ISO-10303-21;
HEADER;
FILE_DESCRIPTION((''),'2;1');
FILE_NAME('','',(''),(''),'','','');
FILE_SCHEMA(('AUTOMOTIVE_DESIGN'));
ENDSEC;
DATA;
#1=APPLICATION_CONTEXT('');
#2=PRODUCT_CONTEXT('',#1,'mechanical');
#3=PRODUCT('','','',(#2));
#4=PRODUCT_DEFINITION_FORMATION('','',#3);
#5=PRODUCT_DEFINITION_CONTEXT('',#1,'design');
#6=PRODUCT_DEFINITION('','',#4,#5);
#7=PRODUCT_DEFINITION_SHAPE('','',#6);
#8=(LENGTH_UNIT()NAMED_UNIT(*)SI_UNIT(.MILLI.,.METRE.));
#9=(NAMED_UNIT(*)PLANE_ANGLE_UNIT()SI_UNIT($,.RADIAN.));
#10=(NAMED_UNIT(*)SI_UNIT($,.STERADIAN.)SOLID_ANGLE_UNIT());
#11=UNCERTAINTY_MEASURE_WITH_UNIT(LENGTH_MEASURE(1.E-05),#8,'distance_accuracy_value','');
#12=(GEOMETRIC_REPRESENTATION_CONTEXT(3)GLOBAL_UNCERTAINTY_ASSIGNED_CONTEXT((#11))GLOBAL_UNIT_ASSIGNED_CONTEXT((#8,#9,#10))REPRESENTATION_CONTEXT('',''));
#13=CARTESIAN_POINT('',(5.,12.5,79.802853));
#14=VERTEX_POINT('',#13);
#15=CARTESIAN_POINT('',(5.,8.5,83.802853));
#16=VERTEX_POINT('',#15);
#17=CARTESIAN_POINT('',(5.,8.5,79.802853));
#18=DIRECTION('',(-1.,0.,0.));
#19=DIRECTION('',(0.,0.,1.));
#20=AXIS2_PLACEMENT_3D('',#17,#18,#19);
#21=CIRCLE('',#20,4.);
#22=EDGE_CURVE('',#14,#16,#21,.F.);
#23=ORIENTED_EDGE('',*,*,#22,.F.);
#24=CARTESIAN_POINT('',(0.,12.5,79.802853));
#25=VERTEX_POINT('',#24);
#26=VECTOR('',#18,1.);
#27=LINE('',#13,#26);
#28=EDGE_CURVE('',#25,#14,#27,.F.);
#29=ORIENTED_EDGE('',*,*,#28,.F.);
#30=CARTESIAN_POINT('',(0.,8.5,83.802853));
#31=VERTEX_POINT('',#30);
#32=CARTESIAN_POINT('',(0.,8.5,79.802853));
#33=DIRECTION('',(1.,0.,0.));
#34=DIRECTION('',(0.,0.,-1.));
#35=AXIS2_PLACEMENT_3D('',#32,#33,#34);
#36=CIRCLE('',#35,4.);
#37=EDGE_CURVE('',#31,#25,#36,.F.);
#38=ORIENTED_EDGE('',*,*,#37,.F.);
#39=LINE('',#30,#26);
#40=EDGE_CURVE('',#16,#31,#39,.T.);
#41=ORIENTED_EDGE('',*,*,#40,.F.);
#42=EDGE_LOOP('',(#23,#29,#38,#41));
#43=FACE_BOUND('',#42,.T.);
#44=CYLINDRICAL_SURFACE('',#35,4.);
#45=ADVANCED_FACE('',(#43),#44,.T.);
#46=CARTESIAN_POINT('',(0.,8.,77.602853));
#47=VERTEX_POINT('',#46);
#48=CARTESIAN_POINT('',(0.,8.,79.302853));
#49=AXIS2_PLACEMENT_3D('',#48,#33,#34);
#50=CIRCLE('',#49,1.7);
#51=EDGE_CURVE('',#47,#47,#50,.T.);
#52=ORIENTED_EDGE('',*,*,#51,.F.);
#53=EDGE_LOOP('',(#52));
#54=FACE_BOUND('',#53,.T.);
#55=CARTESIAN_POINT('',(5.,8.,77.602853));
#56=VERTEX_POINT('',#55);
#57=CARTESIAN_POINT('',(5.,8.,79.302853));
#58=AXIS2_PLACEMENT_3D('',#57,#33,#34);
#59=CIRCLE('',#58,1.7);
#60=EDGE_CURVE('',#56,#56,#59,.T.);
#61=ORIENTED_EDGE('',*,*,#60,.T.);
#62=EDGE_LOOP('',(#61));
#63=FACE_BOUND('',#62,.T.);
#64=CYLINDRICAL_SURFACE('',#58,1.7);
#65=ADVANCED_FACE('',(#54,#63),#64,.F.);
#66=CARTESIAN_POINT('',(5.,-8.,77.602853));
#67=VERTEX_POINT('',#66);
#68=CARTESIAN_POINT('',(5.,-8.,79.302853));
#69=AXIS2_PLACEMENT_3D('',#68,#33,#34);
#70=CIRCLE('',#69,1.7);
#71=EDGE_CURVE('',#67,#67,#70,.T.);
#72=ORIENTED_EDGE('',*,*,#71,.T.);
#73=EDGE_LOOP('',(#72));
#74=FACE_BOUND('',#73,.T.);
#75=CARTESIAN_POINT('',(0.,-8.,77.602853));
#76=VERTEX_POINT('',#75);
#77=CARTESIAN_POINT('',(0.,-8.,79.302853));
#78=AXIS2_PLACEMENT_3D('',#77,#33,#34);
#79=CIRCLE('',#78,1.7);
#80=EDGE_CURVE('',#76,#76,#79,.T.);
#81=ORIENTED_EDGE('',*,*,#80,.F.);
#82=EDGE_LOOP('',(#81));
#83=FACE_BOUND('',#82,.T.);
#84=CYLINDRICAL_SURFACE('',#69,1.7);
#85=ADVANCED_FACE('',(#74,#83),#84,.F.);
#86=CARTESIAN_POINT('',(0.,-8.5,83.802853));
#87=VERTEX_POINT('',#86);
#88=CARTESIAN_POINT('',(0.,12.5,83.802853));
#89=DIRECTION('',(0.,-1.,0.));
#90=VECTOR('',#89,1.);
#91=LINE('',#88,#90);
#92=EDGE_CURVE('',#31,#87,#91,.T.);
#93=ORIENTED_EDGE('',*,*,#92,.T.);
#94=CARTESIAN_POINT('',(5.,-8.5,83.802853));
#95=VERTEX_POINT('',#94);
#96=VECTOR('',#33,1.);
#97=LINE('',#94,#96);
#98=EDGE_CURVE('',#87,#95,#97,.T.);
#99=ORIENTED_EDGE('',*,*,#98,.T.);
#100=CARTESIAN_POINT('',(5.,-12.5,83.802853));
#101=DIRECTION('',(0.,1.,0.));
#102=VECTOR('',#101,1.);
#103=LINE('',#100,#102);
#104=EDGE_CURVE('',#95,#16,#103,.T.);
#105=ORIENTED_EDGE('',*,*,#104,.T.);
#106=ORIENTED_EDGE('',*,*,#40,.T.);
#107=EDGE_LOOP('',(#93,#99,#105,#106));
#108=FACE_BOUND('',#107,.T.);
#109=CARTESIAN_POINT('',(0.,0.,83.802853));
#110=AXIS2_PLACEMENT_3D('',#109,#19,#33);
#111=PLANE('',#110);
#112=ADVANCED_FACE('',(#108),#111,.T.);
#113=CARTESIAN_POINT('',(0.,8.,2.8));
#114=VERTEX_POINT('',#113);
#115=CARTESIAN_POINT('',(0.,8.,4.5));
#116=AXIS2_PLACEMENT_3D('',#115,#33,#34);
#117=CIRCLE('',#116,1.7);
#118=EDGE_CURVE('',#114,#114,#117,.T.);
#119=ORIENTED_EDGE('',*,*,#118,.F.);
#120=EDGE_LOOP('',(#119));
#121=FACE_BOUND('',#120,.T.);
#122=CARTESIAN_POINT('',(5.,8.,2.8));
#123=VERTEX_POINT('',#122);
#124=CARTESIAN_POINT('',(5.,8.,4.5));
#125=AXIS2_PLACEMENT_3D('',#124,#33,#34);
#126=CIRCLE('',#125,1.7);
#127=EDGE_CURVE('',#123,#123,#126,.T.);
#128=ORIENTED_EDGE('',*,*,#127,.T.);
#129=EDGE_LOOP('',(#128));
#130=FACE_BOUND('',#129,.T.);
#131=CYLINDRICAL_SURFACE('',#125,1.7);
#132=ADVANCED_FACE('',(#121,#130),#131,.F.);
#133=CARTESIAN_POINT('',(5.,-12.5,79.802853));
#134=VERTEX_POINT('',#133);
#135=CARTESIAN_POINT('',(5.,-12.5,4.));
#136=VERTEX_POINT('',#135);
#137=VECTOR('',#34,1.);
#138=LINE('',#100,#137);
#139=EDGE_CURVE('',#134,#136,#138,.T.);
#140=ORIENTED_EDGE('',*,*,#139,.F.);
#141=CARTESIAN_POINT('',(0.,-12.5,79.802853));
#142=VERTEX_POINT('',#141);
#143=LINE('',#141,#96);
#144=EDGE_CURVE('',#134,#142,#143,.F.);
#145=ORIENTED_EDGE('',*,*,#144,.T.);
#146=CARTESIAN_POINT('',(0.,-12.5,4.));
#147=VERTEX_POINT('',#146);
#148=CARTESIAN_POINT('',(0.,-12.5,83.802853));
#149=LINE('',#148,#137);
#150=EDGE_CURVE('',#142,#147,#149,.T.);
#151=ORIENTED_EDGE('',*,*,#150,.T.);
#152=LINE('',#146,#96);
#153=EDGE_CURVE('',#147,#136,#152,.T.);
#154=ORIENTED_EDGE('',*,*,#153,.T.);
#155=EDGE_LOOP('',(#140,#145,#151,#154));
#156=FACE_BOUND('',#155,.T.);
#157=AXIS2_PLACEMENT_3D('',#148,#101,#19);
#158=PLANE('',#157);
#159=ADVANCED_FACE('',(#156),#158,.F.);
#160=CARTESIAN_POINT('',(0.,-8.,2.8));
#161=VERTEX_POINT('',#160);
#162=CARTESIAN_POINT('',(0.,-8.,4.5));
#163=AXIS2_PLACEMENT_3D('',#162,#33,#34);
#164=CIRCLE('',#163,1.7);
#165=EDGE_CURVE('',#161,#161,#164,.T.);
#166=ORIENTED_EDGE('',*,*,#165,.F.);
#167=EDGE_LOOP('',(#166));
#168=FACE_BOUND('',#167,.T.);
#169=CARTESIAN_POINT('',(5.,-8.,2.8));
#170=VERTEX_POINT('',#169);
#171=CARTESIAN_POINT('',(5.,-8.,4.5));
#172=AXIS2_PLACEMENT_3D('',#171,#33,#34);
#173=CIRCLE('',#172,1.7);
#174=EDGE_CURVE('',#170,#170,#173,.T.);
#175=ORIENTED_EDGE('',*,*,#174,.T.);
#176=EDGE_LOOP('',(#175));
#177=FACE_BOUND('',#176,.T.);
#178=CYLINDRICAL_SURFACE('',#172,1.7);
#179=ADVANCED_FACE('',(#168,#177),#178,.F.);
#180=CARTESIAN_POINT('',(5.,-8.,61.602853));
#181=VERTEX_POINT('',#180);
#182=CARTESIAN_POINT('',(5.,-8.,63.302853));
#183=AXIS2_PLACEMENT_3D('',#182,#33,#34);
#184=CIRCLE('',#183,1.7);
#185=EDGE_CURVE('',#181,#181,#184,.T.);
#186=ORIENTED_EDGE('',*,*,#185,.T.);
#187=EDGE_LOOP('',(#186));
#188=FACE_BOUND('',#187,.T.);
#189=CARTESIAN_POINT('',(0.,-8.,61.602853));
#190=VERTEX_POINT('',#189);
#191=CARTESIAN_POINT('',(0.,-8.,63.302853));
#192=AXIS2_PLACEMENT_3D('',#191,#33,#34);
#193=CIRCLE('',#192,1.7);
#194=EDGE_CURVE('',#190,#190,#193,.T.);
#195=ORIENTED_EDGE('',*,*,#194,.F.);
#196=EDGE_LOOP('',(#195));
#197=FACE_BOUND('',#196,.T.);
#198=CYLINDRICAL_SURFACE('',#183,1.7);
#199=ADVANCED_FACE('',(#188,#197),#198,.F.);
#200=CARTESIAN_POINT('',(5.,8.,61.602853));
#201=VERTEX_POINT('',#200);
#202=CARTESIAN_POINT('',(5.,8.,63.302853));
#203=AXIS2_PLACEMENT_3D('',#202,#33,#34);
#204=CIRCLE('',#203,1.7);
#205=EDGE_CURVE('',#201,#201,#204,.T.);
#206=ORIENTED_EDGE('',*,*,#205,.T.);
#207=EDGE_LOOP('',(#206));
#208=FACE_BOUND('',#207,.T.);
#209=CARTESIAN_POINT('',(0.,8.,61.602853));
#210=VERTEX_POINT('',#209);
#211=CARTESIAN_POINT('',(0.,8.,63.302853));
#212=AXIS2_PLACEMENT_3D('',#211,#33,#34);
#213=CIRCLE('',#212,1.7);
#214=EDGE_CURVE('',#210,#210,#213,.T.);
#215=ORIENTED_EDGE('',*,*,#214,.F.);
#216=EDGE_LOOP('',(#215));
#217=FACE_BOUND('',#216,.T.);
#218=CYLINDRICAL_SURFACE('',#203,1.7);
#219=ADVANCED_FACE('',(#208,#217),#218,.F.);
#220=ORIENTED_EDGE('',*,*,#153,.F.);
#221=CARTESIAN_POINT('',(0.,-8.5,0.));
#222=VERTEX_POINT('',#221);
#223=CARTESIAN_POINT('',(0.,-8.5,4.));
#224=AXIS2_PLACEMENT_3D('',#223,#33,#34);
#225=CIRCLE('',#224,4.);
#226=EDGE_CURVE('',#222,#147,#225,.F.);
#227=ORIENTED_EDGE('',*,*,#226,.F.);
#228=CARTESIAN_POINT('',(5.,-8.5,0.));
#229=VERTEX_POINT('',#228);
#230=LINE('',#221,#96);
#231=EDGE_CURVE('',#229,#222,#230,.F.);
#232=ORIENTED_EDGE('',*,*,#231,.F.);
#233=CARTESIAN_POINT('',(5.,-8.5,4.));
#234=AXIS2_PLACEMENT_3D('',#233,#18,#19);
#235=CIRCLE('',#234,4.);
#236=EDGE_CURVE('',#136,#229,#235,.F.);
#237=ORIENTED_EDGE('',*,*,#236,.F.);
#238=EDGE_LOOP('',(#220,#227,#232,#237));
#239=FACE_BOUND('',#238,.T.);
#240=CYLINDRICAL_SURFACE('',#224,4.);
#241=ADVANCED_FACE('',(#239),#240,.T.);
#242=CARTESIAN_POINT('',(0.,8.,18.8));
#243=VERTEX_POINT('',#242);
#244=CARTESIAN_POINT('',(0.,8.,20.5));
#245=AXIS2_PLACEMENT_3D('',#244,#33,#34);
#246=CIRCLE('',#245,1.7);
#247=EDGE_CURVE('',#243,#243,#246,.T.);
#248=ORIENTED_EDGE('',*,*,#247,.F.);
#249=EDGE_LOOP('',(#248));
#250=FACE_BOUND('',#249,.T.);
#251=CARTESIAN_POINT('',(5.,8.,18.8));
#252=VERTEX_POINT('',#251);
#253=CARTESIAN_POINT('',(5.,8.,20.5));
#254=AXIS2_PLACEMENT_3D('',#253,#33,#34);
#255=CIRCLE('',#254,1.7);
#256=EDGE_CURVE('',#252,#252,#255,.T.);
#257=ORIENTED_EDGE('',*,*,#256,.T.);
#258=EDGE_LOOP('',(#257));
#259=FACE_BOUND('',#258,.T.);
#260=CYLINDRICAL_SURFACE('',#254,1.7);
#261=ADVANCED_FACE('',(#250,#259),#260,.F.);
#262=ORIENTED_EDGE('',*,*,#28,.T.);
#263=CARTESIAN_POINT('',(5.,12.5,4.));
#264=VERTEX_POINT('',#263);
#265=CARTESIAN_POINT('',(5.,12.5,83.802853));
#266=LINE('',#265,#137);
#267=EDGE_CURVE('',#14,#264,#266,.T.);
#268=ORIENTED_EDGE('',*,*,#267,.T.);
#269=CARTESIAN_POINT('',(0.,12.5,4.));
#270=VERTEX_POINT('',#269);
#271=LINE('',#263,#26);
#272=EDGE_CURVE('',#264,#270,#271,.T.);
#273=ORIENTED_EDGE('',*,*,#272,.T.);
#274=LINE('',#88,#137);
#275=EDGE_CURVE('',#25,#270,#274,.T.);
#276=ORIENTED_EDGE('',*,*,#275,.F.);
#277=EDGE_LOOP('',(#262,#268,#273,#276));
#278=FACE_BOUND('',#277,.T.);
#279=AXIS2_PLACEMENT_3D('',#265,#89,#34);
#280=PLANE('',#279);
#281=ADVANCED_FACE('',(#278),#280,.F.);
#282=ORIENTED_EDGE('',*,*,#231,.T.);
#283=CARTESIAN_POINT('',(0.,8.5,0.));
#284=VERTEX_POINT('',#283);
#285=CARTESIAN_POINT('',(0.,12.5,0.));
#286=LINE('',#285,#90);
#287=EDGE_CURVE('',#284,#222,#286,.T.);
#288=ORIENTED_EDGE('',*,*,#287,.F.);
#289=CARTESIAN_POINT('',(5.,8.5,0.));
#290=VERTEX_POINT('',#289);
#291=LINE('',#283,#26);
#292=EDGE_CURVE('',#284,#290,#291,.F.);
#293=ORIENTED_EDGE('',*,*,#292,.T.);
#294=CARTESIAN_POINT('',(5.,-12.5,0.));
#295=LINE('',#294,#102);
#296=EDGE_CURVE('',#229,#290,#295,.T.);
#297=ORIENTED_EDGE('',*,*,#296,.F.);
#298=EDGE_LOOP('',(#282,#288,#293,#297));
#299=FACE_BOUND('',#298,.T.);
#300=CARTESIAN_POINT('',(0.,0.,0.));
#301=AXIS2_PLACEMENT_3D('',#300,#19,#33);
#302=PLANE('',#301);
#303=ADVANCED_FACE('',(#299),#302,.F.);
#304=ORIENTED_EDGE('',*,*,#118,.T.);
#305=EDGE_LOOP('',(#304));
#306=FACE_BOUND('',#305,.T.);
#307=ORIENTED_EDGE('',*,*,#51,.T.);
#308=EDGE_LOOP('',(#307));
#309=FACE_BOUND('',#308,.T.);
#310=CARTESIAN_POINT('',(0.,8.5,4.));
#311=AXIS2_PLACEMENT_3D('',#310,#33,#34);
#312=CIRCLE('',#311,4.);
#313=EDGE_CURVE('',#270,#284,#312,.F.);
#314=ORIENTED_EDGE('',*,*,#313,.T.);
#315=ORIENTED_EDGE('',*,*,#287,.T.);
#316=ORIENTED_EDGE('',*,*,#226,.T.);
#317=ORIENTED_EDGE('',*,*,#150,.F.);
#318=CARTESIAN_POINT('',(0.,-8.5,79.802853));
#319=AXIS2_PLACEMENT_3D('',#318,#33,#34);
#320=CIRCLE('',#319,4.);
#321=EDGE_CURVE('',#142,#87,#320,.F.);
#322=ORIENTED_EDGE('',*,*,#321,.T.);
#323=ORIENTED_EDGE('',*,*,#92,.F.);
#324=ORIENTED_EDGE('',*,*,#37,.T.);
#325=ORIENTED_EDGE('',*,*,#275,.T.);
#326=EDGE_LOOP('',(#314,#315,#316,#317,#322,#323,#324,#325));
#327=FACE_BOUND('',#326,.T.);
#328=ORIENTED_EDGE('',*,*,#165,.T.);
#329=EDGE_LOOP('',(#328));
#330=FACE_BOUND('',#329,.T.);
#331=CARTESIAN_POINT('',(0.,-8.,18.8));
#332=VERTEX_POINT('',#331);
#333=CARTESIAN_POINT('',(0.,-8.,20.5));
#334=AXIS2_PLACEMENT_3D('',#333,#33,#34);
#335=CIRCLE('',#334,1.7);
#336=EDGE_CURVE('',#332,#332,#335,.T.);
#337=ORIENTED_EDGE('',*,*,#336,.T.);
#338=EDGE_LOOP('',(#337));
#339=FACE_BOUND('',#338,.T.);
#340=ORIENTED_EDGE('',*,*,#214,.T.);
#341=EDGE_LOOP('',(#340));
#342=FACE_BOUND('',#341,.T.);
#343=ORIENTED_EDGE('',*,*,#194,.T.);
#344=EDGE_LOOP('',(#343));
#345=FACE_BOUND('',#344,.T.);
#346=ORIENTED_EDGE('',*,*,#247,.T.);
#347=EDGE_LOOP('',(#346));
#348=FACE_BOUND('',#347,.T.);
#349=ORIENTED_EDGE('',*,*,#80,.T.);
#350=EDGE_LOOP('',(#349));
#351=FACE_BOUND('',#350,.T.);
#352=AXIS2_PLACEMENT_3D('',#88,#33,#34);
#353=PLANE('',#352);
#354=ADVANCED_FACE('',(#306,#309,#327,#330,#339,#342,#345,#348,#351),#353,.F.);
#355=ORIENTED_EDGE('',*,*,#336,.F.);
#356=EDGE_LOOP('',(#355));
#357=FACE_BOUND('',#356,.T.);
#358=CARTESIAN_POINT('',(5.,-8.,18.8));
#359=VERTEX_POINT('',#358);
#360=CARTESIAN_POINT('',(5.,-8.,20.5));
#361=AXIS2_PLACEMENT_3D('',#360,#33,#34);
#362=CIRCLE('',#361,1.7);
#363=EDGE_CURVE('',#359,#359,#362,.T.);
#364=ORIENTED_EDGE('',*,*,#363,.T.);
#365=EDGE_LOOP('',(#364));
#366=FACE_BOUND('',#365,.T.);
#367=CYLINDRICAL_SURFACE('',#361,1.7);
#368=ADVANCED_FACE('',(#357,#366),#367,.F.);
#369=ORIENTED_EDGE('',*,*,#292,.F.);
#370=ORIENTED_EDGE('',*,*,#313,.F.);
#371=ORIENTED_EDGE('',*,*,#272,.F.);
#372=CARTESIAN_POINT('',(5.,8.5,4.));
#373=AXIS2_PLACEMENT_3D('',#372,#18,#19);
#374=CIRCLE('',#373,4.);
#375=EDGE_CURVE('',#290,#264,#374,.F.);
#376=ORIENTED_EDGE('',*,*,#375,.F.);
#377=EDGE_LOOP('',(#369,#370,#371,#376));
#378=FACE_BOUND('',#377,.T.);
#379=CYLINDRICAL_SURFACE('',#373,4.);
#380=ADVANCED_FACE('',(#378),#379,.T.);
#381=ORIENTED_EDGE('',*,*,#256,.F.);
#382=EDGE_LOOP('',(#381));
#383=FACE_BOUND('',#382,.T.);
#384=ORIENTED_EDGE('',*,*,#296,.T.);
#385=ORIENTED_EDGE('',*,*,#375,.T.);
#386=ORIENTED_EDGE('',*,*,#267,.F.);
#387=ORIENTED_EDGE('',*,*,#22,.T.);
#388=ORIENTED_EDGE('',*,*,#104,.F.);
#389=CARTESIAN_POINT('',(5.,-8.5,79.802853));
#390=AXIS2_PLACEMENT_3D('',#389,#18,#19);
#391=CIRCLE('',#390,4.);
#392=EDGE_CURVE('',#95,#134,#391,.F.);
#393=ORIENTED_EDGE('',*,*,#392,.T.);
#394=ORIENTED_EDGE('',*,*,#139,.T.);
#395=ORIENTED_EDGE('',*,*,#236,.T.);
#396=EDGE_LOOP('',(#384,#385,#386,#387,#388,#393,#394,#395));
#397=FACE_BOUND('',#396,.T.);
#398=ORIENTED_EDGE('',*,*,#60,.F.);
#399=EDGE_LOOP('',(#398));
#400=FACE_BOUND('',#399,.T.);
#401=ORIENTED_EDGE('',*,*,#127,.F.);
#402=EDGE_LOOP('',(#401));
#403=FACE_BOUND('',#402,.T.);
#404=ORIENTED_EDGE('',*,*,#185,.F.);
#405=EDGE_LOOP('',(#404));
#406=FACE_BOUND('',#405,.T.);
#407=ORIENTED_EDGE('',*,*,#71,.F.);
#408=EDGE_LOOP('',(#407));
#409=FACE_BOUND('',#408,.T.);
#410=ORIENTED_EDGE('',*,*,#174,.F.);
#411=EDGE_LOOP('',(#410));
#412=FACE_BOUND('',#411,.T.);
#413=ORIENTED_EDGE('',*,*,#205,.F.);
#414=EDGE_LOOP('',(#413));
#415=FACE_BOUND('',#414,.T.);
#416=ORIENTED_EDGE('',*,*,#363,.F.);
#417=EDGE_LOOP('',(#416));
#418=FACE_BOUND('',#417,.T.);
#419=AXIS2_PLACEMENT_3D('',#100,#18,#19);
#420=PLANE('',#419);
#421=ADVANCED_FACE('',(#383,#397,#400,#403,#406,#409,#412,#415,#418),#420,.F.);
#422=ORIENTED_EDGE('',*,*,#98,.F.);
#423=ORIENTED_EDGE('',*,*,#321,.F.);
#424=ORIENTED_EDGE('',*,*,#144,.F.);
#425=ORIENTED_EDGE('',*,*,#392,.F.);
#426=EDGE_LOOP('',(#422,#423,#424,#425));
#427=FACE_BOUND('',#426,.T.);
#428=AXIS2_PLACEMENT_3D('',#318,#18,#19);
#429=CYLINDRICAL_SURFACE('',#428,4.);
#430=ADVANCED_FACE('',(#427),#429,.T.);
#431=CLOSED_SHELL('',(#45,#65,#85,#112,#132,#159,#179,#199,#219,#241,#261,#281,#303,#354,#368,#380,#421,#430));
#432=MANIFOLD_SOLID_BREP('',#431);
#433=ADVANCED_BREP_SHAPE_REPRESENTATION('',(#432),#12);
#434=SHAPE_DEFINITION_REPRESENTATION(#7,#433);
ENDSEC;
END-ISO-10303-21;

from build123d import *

# Parameters (mm, degrees)
ESQUISSE1_W        = 5
ESQUISSE1_H        = 25
BOSS_EXTRU_1_DEPTH = 83.80285333
CONG_1_R           = 4
D_GAGEMENT_M31_D   = 3.4


with BuildPart() as part:
    # Esquisse1 → Boss.-Extru.1 (new body)
    with BuildSketch(Plane.XY):
        with Locations((2.5, 0)):
            Rectangle(ESQUISSE1_W, ESQUISSE1_H)
    extrude(amount=BOSS_EXTRU_1_DEPTH)

    # Congé1
    cong_1_edges = [part.edges().sort_by_distance(p)[0] for p in [
        (2.5, -12.5, 83.80285333),
        (2.5, 12.5, 83.80285333),
        (2.5, -12.5, 0),
        (2.5, 12.5, 0),
    ]]
    fillet(cong_1_edges, radius=CONG_1_R)

    # Dégagement M31 (through all)
    with Locations(Plane(origin=(5, 0, 0), x_dir=(0, 0, -1), z_dir=(1, 0, 0))):
        with Locations((-4.5, -8), (-4.5, 8), (-20.5, 8), (-63.30285333, 8), (-79.30285333, 8), (-79.30285333, -8), (-63.30285333, -8), (-20.5, -8)):
            Hole(D_GAGEMENT_M31_D / 2)


solid = part.part
